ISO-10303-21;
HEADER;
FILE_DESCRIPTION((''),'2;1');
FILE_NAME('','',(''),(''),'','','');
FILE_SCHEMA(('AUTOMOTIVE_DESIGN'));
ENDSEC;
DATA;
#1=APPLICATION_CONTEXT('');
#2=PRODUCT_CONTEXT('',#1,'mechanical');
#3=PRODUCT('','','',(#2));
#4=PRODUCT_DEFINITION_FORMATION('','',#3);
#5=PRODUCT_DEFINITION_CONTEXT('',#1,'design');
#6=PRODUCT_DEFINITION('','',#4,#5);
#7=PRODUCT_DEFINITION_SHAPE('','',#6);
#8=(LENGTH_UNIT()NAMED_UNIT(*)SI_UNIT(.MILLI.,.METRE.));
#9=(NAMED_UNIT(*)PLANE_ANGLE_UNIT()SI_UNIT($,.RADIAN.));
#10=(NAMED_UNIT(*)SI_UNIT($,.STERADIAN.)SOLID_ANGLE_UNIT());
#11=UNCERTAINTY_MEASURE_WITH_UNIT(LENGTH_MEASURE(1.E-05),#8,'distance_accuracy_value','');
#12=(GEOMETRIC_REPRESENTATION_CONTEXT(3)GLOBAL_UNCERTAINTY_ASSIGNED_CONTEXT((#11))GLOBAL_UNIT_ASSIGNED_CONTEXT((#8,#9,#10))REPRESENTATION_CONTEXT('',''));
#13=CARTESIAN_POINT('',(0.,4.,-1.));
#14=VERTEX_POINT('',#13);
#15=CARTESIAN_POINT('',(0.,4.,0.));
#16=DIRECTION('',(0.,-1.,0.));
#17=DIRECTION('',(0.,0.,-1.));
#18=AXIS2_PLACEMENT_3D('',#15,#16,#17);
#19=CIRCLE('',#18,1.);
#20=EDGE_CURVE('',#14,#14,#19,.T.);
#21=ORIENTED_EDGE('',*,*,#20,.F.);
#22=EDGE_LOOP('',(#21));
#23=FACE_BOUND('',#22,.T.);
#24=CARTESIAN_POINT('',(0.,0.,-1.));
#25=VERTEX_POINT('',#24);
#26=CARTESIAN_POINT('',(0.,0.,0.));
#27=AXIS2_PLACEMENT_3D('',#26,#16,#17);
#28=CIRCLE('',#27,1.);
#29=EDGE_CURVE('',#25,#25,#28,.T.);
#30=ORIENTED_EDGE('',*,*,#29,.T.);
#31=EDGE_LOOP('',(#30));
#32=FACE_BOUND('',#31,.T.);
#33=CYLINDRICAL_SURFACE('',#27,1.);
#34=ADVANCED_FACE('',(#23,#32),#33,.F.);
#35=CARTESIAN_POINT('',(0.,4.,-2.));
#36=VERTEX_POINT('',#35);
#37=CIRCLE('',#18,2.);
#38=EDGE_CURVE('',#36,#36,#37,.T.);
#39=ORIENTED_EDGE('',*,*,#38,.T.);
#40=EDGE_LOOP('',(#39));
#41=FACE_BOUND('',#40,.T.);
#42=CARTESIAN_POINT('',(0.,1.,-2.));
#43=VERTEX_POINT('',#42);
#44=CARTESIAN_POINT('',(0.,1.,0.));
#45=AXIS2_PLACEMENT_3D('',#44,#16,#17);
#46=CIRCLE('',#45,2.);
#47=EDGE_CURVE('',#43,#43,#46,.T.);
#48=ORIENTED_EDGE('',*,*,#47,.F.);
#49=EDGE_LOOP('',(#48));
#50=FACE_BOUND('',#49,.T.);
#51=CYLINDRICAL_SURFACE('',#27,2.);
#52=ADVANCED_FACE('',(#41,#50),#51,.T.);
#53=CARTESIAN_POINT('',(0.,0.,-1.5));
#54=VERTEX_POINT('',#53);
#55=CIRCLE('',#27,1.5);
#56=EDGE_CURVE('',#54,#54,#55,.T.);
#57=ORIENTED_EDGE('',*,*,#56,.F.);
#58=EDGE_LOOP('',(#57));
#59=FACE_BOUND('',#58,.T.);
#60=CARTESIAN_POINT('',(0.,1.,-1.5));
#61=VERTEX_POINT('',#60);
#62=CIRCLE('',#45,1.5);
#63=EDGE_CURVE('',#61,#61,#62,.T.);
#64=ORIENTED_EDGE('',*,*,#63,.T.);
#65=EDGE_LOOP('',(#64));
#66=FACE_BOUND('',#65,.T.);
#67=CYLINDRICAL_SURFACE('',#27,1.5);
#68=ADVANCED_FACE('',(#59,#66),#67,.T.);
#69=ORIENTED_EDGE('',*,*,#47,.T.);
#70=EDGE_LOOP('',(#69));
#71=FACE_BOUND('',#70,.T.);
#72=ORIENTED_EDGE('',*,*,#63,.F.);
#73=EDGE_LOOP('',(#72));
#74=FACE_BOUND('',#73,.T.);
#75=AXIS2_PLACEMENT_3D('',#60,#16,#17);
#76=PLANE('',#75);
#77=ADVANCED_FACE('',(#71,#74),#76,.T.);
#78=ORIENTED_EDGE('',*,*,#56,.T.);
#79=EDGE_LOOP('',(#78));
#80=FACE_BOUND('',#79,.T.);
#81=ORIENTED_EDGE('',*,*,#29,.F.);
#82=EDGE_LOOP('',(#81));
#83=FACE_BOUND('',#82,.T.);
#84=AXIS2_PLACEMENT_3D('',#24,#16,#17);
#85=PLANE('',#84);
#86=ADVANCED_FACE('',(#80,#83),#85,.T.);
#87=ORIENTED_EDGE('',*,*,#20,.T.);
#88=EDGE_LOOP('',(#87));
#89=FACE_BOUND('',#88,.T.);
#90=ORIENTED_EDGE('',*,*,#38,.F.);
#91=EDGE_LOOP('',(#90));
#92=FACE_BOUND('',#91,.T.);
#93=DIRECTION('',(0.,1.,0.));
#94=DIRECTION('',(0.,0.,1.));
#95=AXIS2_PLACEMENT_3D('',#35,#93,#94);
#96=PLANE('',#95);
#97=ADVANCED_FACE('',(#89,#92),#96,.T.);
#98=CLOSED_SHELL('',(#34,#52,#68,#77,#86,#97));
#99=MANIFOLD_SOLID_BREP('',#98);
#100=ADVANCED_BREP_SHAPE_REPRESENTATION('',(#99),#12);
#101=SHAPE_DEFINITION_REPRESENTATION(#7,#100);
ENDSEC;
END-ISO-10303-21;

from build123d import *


with BuildPart() as part:
    # Sketch1 → Revolve1 (revolve)
    with BuildSketch(Plane(origin=(0, 0, 0), x_dir=(0, 0, -1), z_dir=(1, 0, 0))):
        Polygon((1, 4), (1, 0), (1.5, 0), (1.5, 1), (2, 1), (2, 4), align=None)
    revolve(axis=Axis((0, 0, 0), (0, 1, 0)))


solid = part.part
